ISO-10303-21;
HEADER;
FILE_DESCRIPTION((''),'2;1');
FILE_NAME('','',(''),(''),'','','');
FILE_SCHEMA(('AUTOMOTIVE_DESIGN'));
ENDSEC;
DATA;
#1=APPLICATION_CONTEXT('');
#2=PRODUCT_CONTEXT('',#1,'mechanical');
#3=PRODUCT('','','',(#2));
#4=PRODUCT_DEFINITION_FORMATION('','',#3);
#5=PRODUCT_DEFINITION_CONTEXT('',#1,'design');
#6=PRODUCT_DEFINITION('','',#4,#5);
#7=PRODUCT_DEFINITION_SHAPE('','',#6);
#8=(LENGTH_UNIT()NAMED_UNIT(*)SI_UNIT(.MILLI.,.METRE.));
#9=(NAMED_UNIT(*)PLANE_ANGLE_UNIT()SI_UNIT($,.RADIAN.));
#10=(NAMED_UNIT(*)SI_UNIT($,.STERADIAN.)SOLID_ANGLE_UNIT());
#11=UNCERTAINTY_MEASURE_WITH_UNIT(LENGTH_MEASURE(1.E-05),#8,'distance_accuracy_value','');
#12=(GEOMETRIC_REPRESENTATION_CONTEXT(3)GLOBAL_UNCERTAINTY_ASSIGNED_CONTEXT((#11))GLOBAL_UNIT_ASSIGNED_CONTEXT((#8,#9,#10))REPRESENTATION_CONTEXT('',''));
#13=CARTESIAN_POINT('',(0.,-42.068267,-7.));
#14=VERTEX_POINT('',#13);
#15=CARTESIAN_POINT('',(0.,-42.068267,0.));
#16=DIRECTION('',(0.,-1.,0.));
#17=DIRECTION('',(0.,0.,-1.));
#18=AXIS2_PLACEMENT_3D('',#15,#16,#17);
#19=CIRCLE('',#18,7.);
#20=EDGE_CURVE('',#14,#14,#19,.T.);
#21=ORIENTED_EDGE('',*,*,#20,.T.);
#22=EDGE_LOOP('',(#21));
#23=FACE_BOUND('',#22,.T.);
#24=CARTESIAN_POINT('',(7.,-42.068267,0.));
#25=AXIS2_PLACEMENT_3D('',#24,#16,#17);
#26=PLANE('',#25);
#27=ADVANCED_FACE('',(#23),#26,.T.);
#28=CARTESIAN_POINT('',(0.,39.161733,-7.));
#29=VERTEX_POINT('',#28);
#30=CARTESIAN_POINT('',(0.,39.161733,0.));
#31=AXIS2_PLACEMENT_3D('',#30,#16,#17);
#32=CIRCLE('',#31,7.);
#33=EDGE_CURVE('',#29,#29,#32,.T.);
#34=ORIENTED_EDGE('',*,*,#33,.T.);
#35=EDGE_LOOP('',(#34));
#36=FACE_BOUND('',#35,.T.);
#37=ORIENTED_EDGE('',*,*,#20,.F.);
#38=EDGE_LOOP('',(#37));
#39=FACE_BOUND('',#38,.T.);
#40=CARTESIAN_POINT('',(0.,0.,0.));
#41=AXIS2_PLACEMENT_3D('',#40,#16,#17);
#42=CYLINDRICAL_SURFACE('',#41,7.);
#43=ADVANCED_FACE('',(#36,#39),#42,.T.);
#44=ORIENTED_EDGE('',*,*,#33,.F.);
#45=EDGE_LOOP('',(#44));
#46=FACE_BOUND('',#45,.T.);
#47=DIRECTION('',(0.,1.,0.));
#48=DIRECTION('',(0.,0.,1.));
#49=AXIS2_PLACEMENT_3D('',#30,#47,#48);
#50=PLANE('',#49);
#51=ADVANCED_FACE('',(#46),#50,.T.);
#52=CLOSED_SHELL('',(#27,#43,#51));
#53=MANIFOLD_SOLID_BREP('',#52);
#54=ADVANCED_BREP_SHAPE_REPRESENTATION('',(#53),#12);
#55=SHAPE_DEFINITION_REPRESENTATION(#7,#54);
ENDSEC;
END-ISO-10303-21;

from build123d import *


with BuildPart() as part:
    # Sketch1 → Revolve1 (revolve)
    with BuildSketch(Plane.XY):
        Polygon((0, 0), (0, 39.16173258), (7, 39.16173258), (7, -42.06826742), (0, -42.06826742), align=None)
    revolve(axis=Axis((0, 0, 0), (0, 1, 0)))


solid = part.part
